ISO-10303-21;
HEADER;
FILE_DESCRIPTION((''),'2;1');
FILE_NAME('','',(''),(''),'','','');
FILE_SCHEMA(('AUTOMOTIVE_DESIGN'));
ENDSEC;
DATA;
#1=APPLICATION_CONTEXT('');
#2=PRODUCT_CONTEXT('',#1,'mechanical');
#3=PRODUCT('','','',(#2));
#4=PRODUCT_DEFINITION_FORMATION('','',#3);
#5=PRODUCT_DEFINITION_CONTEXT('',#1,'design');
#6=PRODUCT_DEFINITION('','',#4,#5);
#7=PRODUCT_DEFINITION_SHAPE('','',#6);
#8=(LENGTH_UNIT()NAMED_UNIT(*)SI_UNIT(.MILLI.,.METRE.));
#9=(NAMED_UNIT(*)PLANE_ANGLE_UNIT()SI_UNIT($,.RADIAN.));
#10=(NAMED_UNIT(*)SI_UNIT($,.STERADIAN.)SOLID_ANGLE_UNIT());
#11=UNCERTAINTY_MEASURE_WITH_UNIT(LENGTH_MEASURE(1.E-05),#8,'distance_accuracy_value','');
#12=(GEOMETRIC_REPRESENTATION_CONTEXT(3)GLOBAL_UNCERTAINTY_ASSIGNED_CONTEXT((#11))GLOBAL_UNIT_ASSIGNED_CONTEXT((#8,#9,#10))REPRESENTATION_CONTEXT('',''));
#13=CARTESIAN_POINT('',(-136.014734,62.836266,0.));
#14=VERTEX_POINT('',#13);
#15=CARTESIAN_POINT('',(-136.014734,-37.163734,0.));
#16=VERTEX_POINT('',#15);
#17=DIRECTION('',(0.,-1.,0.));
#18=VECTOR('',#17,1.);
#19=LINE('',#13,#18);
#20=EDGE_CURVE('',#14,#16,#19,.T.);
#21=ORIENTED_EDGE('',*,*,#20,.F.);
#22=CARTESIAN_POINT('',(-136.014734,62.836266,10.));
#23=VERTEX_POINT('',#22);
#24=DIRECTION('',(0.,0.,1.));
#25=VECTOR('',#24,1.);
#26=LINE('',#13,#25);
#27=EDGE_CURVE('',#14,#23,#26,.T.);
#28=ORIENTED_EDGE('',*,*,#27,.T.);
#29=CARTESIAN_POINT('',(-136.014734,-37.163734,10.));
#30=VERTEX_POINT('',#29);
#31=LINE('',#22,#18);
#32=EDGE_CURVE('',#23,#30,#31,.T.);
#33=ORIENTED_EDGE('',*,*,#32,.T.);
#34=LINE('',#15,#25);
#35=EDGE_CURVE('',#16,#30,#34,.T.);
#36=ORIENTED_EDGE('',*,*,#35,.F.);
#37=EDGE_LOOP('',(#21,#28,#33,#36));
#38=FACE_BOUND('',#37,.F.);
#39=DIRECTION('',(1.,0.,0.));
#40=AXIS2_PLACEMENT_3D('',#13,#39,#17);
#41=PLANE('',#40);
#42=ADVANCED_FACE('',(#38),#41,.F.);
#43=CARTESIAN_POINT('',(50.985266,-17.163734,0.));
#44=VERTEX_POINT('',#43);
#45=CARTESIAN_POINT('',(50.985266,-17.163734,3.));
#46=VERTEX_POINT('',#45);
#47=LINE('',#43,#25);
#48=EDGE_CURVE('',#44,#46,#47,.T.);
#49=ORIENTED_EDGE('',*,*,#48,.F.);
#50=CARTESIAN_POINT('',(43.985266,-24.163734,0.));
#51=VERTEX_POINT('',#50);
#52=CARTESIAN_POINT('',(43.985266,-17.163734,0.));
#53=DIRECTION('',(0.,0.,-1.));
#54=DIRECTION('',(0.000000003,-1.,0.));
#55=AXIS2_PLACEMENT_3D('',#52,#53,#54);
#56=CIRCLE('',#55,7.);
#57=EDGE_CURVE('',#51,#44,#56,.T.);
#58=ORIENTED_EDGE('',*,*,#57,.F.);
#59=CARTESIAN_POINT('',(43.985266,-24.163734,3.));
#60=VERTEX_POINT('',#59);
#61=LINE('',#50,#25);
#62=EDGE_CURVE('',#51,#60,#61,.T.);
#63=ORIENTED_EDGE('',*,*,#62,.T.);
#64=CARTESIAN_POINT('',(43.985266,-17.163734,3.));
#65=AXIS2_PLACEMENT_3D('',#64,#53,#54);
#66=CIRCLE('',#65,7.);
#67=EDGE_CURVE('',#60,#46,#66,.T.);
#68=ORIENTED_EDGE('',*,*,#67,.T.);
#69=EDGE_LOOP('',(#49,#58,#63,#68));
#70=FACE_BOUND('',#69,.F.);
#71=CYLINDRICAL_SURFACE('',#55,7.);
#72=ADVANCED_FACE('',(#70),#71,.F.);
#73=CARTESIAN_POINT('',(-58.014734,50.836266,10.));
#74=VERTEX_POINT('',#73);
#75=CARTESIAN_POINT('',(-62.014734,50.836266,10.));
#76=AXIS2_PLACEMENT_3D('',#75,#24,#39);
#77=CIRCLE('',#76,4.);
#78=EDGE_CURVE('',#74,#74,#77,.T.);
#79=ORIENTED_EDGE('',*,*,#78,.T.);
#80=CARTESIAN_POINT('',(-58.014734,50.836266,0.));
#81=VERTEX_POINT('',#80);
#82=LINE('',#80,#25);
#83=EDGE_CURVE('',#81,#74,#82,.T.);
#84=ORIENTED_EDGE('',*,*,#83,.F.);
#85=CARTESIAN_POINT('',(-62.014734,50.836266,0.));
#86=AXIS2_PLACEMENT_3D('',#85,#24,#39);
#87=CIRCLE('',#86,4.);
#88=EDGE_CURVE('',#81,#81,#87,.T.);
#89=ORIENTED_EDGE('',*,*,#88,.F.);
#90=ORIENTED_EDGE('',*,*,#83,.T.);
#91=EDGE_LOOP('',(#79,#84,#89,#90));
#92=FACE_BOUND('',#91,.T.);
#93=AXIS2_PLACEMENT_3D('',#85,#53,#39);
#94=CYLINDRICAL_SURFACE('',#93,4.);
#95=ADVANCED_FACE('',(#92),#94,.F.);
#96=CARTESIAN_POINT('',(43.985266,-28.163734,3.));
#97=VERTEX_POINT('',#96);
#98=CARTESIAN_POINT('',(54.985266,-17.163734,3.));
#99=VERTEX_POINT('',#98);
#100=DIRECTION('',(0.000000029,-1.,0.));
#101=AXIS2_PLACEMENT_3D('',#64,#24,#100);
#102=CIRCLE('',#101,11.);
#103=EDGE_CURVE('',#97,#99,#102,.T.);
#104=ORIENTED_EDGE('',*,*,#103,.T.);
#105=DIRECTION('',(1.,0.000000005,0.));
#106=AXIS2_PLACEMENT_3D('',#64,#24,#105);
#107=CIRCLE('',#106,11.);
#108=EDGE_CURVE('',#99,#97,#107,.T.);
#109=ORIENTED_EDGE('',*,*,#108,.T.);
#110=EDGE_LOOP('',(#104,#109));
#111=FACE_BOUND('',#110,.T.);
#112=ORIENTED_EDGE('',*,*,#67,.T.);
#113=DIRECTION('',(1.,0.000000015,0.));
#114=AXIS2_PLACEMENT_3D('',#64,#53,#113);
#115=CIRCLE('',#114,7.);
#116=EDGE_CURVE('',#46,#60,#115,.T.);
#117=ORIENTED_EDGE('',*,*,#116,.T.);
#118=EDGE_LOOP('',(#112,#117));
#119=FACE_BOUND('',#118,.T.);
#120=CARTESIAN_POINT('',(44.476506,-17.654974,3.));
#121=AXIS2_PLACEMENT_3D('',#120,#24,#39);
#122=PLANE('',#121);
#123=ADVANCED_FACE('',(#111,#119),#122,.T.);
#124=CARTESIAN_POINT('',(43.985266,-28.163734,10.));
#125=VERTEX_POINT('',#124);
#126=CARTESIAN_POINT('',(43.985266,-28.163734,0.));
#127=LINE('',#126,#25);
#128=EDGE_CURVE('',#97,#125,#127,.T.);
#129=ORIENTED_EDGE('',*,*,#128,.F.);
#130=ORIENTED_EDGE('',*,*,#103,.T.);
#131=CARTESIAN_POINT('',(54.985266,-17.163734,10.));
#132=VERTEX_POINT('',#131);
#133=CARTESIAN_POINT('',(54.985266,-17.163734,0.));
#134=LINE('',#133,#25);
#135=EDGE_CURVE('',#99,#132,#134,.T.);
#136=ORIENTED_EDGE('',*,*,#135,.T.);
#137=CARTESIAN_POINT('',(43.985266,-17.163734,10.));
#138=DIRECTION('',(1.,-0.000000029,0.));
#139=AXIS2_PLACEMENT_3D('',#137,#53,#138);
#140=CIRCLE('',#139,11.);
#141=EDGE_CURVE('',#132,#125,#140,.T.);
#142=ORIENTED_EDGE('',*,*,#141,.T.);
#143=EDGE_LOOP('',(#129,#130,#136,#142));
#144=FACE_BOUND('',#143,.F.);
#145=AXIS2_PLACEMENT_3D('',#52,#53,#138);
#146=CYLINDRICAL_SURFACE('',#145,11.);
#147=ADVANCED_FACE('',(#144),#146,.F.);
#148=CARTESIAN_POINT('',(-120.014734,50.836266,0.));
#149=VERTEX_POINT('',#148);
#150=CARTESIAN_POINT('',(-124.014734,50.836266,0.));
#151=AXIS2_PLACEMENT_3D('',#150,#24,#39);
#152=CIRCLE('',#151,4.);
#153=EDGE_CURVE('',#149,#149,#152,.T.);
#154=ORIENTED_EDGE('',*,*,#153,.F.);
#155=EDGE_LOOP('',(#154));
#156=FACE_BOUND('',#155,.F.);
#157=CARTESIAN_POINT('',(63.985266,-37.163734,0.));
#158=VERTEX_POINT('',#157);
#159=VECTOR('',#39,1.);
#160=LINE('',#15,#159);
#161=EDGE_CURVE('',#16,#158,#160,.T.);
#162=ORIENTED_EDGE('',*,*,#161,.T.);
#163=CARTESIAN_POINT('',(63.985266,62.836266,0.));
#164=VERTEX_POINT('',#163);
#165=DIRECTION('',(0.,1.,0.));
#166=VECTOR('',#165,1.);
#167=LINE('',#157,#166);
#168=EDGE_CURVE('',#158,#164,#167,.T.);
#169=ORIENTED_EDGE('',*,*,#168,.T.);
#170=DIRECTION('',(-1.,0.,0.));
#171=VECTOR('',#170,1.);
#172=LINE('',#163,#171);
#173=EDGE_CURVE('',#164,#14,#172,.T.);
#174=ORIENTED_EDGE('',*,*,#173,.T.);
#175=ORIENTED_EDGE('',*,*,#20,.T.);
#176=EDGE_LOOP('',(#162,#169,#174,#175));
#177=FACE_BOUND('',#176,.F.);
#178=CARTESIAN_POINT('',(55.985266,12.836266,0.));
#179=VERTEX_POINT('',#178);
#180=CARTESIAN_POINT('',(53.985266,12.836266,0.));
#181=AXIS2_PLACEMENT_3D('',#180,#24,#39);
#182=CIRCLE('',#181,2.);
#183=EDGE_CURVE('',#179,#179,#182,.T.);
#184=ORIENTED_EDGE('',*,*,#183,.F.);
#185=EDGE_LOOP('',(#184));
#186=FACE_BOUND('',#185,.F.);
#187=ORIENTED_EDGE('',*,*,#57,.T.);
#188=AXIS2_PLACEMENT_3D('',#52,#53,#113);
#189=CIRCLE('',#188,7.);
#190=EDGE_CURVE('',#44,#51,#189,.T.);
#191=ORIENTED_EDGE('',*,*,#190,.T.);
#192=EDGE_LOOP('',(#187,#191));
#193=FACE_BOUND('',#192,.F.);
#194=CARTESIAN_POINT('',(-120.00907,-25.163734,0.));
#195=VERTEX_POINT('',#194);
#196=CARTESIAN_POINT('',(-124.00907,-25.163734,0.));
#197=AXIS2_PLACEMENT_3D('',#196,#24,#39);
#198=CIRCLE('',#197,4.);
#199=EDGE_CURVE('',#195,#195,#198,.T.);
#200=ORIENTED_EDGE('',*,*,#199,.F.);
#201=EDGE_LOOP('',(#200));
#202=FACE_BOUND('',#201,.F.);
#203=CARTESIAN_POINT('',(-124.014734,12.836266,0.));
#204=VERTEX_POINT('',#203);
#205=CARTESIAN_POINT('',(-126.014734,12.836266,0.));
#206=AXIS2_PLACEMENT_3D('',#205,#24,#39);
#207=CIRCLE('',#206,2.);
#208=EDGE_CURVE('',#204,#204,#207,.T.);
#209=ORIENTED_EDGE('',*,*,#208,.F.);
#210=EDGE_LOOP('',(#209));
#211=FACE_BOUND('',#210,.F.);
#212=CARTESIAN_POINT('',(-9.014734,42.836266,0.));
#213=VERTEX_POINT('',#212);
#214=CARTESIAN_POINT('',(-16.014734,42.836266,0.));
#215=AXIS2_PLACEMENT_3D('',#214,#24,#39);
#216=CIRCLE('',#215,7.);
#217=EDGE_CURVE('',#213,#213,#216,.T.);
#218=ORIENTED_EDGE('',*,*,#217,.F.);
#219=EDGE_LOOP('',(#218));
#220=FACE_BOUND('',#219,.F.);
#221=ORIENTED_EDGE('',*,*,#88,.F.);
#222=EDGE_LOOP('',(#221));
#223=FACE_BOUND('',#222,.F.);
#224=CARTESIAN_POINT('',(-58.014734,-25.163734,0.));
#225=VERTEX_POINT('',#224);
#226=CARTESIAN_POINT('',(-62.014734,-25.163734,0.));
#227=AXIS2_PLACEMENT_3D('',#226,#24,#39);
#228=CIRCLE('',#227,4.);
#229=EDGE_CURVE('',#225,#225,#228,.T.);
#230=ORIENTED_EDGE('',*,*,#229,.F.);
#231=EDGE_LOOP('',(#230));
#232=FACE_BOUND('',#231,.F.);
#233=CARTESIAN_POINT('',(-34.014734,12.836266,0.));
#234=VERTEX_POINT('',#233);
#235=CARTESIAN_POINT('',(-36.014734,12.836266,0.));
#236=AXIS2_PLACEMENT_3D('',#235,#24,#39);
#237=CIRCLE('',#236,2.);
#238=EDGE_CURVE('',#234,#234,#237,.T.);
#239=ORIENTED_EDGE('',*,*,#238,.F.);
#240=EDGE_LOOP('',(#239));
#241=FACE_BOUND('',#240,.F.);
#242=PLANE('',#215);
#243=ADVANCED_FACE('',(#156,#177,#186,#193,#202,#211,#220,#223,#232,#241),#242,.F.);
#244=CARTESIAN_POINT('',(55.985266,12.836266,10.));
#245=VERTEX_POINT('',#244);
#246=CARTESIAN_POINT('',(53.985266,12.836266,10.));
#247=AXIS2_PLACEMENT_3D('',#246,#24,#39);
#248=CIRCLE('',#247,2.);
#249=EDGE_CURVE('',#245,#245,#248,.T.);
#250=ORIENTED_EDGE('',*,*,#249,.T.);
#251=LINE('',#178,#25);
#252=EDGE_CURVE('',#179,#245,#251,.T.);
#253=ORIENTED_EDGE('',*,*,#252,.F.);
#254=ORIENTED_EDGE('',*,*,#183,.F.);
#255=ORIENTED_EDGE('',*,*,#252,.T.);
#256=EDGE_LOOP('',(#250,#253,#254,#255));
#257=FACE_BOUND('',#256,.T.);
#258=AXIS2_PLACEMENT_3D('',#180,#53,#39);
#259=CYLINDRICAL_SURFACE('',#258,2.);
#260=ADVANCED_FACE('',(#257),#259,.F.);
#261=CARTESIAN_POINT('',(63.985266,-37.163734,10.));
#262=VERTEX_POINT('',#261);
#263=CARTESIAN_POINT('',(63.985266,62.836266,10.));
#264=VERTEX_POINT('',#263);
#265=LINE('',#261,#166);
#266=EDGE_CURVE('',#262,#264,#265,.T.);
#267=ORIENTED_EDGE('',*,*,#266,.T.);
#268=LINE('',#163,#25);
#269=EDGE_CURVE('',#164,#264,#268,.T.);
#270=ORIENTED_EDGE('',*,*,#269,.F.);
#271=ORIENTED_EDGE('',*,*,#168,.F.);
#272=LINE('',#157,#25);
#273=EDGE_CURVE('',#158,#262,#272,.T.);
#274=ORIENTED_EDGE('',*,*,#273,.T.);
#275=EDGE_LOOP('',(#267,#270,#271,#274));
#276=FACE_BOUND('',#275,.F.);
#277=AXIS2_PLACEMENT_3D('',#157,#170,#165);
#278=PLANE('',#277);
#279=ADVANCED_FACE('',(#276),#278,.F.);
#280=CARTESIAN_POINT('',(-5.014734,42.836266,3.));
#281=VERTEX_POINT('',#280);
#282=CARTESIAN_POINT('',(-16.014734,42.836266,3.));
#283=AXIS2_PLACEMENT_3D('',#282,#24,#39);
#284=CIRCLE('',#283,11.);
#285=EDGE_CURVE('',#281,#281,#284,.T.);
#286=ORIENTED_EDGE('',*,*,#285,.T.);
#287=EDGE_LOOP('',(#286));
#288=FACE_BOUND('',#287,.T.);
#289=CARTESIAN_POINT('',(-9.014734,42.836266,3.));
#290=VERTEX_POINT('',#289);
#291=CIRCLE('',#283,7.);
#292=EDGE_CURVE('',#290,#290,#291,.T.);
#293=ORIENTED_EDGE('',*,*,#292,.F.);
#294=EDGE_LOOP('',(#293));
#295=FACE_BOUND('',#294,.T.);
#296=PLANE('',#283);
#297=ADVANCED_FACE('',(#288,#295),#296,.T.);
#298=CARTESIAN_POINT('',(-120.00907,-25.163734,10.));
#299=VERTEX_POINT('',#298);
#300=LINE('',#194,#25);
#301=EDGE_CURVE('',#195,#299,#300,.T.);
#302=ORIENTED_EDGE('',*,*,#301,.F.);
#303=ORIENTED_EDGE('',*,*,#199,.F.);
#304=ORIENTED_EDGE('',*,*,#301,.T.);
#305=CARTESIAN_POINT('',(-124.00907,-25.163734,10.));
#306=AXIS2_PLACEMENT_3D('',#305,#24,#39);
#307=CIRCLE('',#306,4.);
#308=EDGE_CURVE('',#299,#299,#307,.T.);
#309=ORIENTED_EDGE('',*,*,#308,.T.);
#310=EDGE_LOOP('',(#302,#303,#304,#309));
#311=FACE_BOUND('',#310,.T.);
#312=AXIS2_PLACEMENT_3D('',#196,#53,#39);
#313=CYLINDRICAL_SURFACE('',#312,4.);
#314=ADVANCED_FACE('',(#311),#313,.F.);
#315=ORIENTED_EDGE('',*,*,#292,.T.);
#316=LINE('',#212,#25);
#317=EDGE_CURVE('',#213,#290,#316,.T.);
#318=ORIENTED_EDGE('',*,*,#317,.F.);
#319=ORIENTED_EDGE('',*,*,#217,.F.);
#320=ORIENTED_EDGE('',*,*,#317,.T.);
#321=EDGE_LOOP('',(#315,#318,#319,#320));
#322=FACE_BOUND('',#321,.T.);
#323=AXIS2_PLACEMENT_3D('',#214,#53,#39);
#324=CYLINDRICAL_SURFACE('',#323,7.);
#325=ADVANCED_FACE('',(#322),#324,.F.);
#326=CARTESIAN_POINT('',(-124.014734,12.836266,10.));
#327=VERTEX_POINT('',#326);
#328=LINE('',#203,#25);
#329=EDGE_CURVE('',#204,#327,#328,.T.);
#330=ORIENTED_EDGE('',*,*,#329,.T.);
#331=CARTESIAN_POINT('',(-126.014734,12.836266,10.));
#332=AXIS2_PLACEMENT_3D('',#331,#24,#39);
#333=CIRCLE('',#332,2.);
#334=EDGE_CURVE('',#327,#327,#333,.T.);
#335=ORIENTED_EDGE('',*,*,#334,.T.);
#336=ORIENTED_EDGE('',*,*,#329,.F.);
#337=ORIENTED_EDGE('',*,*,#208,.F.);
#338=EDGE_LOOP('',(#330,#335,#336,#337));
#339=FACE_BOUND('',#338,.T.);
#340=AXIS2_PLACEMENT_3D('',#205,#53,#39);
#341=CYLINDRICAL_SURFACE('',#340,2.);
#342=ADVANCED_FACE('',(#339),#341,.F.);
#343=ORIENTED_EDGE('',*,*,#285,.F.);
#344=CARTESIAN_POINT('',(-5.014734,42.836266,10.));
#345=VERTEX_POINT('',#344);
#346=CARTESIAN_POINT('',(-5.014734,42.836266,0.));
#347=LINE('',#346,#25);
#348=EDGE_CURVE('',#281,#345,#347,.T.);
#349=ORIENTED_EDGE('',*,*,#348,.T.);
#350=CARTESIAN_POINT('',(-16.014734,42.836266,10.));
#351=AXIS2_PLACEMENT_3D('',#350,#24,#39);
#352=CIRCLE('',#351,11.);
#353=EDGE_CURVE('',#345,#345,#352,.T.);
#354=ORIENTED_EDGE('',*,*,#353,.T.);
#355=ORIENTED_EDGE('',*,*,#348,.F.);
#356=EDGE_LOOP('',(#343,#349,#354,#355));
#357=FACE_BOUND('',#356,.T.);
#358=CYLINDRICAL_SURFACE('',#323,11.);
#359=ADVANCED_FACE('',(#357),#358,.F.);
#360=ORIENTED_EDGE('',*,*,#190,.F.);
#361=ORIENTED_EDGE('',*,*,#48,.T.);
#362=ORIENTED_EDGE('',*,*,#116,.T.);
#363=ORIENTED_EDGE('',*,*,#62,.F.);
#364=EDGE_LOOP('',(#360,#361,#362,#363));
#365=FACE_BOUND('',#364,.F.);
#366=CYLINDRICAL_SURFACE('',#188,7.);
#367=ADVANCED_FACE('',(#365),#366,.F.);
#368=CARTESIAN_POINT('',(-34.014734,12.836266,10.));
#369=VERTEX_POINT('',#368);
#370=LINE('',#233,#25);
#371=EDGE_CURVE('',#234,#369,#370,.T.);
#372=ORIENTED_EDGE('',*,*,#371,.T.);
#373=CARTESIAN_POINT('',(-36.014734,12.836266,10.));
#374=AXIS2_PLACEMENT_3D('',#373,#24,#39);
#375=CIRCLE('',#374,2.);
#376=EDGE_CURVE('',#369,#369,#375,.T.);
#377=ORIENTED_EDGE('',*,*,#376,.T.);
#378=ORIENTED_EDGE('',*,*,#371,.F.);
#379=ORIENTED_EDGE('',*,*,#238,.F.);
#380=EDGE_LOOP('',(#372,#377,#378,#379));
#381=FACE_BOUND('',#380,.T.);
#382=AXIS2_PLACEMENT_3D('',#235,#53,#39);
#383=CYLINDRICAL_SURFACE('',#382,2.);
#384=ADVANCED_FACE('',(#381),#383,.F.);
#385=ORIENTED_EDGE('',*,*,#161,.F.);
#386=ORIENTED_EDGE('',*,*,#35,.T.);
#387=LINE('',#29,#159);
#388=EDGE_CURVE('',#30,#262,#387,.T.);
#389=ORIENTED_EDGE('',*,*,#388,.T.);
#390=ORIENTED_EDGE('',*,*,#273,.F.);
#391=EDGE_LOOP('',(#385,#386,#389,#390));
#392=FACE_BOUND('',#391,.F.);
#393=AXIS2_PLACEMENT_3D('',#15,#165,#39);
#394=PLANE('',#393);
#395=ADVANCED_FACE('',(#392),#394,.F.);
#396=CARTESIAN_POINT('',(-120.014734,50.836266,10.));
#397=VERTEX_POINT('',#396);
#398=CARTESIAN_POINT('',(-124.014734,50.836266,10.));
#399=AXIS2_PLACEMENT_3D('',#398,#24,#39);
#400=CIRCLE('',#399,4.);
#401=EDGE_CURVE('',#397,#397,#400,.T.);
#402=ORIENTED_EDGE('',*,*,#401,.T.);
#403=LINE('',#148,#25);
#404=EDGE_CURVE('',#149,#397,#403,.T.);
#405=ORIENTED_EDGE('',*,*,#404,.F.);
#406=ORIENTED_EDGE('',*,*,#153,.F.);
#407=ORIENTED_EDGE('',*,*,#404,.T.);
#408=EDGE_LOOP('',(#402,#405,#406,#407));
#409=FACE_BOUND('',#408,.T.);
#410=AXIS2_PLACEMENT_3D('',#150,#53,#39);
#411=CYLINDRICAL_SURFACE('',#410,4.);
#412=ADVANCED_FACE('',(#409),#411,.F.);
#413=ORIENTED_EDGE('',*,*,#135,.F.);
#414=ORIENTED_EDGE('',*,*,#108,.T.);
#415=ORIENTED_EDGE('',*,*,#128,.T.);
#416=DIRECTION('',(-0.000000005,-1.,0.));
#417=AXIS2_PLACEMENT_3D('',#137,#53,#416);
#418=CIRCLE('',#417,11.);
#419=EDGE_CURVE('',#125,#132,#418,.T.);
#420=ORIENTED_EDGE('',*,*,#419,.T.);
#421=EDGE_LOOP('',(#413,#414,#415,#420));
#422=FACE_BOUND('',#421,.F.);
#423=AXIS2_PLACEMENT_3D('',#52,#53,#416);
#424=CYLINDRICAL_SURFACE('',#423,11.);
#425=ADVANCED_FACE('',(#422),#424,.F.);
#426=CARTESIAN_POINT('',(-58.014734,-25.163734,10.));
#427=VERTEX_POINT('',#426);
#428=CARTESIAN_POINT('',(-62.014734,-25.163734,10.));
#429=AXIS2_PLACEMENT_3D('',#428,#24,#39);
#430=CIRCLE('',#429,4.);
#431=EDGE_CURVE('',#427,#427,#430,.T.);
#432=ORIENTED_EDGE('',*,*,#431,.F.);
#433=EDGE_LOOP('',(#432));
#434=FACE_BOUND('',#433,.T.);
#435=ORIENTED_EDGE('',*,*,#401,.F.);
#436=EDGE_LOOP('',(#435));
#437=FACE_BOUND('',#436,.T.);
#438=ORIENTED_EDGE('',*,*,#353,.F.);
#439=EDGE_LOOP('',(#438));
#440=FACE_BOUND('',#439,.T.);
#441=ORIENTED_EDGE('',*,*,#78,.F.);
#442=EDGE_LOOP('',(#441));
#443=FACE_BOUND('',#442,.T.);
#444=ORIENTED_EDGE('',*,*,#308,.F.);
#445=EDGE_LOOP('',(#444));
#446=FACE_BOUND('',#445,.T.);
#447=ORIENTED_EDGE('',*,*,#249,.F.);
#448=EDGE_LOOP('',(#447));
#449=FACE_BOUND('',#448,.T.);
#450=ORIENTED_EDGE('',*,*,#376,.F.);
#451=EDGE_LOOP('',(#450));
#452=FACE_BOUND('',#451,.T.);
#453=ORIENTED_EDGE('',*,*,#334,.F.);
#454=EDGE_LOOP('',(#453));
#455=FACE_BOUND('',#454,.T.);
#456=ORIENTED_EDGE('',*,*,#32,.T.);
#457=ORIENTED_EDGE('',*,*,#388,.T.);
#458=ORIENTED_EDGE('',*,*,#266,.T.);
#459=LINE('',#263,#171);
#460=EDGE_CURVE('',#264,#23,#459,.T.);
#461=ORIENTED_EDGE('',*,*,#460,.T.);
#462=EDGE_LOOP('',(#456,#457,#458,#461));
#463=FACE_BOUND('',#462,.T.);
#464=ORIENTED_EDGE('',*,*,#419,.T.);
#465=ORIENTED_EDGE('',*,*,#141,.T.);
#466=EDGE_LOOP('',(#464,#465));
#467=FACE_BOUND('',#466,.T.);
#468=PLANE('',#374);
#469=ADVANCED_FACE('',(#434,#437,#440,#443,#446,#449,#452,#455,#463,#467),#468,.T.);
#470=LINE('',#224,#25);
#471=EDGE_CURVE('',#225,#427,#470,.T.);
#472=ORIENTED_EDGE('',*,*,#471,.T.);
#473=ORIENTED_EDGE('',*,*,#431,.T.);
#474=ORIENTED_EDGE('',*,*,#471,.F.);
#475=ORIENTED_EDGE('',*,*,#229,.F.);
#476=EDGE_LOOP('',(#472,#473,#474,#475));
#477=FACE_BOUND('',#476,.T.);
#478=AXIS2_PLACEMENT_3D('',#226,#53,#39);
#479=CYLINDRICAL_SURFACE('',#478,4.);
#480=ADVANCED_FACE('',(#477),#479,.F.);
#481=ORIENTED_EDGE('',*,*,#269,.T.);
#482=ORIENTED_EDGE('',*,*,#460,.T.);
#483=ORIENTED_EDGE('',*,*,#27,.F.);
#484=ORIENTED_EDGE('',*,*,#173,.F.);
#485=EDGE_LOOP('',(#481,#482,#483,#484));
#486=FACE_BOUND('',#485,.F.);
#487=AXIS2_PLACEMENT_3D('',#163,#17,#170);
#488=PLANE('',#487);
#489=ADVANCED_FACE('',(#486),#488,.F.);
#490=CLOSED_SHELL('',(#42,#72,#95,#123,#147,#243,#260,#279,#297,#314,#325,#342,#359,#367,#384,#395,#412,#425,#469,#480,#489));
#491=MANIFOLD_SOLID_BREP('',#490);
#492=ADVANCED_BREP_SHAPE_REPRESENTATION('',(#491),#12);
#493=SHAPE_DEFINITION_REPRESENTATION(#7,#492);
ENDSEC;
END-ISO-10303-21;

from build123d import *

# Parameters (mm, degrees)
F0_R     = 4
F0_R_2   = 2
F0_R_3   = 11
F1_DEPTH = 10
F0_R_4   = 7
F2_DEPTH = 3


with BuildPart() as f1:
    # F0 (on Top) → F1 (new body)
    with BuildSketch(Plane.XY):
        Polygon((63.985266, 62.836266), (-136.014734, 62.836266), (-136.014734, -37.163734), (43.985266, -37.163734), (63.985266, -37.163734), align=None)
        with Locations((-124.00907, -25.163734)):
            Circle(F0_R, mode=Mode.SUBTRACT)
        with Locations((-62.014734, -25.163734)):
            Circle(F0_R, mode=Mode.SUBTRACT)
        with BuildLine():
            ThreePointArc((54.985266, -17.163734), (51.76344, -24.941909), (43.985266, -28.163734))
            ThreePointArc((43.985266, -28.163734), (36.207091, -9.38556), (54.985266, -17.163734))
        make_face(mode=Mode.SUBTRACT)
        with Locations((-126.014734, 12.836266)):
            Circle(F0_R_2, mode=Mode.SUBTRACT)
        with Locations((-124.014734, 50.836266)):
            Circle(F0_R, mode=Mode.SUBTRACT)
        with Locations((-62.014734, 50.836266)):
            Circle(F0_R, mode=Mode.SUBTRACT)
        with Locations((-36.014734, 12.836266)):
            Circle(F0_R_2, mode=Mode.SUBTRACT)
        with Locations((53.985266, 12.836266)):
            Circle(F0_R_2, mode=Mode.SUBTRACT)
        with Locations((-16.014734, 42.836266)):
            Circle(F0_R_3, mode=Mode.SUBTRACT)
    extrude(amount=F1_DEPTH)

    # F0 (on Top) → F2 (join)
    with BuildSketch(Plane.XY):
        with Locations((-16.014734, 42.836266)):
            Circle(F0_R_3)
        with Locations((-16.014734, 42.836266)):
            Circle(F0_R_4, mode=Mode.SUBTRACT)
        with BuildLine():
            ThreePointArc((54.985266, -17.163734), (36.207091, -9.38556), (43.985266, -28.163734))
            ThreePointArc((43.985266, -28.163734), (51.76344, -24.941909), (54.985266, -17.163734))
        make_face()
        with BuildLine():
            ThreePointArc((50.985266, -17.163734), (48.935013, -22.113482), (43.985266, -24.163734))
            ThreePointArc((43.985266, -24.163734), (39.035518, -12.213987), (50.985266, -17.163734))
        make_face(mode=Mode.SUBTRACT)
    extrude(amount=F2_DEPTH)


solid = f1.part
